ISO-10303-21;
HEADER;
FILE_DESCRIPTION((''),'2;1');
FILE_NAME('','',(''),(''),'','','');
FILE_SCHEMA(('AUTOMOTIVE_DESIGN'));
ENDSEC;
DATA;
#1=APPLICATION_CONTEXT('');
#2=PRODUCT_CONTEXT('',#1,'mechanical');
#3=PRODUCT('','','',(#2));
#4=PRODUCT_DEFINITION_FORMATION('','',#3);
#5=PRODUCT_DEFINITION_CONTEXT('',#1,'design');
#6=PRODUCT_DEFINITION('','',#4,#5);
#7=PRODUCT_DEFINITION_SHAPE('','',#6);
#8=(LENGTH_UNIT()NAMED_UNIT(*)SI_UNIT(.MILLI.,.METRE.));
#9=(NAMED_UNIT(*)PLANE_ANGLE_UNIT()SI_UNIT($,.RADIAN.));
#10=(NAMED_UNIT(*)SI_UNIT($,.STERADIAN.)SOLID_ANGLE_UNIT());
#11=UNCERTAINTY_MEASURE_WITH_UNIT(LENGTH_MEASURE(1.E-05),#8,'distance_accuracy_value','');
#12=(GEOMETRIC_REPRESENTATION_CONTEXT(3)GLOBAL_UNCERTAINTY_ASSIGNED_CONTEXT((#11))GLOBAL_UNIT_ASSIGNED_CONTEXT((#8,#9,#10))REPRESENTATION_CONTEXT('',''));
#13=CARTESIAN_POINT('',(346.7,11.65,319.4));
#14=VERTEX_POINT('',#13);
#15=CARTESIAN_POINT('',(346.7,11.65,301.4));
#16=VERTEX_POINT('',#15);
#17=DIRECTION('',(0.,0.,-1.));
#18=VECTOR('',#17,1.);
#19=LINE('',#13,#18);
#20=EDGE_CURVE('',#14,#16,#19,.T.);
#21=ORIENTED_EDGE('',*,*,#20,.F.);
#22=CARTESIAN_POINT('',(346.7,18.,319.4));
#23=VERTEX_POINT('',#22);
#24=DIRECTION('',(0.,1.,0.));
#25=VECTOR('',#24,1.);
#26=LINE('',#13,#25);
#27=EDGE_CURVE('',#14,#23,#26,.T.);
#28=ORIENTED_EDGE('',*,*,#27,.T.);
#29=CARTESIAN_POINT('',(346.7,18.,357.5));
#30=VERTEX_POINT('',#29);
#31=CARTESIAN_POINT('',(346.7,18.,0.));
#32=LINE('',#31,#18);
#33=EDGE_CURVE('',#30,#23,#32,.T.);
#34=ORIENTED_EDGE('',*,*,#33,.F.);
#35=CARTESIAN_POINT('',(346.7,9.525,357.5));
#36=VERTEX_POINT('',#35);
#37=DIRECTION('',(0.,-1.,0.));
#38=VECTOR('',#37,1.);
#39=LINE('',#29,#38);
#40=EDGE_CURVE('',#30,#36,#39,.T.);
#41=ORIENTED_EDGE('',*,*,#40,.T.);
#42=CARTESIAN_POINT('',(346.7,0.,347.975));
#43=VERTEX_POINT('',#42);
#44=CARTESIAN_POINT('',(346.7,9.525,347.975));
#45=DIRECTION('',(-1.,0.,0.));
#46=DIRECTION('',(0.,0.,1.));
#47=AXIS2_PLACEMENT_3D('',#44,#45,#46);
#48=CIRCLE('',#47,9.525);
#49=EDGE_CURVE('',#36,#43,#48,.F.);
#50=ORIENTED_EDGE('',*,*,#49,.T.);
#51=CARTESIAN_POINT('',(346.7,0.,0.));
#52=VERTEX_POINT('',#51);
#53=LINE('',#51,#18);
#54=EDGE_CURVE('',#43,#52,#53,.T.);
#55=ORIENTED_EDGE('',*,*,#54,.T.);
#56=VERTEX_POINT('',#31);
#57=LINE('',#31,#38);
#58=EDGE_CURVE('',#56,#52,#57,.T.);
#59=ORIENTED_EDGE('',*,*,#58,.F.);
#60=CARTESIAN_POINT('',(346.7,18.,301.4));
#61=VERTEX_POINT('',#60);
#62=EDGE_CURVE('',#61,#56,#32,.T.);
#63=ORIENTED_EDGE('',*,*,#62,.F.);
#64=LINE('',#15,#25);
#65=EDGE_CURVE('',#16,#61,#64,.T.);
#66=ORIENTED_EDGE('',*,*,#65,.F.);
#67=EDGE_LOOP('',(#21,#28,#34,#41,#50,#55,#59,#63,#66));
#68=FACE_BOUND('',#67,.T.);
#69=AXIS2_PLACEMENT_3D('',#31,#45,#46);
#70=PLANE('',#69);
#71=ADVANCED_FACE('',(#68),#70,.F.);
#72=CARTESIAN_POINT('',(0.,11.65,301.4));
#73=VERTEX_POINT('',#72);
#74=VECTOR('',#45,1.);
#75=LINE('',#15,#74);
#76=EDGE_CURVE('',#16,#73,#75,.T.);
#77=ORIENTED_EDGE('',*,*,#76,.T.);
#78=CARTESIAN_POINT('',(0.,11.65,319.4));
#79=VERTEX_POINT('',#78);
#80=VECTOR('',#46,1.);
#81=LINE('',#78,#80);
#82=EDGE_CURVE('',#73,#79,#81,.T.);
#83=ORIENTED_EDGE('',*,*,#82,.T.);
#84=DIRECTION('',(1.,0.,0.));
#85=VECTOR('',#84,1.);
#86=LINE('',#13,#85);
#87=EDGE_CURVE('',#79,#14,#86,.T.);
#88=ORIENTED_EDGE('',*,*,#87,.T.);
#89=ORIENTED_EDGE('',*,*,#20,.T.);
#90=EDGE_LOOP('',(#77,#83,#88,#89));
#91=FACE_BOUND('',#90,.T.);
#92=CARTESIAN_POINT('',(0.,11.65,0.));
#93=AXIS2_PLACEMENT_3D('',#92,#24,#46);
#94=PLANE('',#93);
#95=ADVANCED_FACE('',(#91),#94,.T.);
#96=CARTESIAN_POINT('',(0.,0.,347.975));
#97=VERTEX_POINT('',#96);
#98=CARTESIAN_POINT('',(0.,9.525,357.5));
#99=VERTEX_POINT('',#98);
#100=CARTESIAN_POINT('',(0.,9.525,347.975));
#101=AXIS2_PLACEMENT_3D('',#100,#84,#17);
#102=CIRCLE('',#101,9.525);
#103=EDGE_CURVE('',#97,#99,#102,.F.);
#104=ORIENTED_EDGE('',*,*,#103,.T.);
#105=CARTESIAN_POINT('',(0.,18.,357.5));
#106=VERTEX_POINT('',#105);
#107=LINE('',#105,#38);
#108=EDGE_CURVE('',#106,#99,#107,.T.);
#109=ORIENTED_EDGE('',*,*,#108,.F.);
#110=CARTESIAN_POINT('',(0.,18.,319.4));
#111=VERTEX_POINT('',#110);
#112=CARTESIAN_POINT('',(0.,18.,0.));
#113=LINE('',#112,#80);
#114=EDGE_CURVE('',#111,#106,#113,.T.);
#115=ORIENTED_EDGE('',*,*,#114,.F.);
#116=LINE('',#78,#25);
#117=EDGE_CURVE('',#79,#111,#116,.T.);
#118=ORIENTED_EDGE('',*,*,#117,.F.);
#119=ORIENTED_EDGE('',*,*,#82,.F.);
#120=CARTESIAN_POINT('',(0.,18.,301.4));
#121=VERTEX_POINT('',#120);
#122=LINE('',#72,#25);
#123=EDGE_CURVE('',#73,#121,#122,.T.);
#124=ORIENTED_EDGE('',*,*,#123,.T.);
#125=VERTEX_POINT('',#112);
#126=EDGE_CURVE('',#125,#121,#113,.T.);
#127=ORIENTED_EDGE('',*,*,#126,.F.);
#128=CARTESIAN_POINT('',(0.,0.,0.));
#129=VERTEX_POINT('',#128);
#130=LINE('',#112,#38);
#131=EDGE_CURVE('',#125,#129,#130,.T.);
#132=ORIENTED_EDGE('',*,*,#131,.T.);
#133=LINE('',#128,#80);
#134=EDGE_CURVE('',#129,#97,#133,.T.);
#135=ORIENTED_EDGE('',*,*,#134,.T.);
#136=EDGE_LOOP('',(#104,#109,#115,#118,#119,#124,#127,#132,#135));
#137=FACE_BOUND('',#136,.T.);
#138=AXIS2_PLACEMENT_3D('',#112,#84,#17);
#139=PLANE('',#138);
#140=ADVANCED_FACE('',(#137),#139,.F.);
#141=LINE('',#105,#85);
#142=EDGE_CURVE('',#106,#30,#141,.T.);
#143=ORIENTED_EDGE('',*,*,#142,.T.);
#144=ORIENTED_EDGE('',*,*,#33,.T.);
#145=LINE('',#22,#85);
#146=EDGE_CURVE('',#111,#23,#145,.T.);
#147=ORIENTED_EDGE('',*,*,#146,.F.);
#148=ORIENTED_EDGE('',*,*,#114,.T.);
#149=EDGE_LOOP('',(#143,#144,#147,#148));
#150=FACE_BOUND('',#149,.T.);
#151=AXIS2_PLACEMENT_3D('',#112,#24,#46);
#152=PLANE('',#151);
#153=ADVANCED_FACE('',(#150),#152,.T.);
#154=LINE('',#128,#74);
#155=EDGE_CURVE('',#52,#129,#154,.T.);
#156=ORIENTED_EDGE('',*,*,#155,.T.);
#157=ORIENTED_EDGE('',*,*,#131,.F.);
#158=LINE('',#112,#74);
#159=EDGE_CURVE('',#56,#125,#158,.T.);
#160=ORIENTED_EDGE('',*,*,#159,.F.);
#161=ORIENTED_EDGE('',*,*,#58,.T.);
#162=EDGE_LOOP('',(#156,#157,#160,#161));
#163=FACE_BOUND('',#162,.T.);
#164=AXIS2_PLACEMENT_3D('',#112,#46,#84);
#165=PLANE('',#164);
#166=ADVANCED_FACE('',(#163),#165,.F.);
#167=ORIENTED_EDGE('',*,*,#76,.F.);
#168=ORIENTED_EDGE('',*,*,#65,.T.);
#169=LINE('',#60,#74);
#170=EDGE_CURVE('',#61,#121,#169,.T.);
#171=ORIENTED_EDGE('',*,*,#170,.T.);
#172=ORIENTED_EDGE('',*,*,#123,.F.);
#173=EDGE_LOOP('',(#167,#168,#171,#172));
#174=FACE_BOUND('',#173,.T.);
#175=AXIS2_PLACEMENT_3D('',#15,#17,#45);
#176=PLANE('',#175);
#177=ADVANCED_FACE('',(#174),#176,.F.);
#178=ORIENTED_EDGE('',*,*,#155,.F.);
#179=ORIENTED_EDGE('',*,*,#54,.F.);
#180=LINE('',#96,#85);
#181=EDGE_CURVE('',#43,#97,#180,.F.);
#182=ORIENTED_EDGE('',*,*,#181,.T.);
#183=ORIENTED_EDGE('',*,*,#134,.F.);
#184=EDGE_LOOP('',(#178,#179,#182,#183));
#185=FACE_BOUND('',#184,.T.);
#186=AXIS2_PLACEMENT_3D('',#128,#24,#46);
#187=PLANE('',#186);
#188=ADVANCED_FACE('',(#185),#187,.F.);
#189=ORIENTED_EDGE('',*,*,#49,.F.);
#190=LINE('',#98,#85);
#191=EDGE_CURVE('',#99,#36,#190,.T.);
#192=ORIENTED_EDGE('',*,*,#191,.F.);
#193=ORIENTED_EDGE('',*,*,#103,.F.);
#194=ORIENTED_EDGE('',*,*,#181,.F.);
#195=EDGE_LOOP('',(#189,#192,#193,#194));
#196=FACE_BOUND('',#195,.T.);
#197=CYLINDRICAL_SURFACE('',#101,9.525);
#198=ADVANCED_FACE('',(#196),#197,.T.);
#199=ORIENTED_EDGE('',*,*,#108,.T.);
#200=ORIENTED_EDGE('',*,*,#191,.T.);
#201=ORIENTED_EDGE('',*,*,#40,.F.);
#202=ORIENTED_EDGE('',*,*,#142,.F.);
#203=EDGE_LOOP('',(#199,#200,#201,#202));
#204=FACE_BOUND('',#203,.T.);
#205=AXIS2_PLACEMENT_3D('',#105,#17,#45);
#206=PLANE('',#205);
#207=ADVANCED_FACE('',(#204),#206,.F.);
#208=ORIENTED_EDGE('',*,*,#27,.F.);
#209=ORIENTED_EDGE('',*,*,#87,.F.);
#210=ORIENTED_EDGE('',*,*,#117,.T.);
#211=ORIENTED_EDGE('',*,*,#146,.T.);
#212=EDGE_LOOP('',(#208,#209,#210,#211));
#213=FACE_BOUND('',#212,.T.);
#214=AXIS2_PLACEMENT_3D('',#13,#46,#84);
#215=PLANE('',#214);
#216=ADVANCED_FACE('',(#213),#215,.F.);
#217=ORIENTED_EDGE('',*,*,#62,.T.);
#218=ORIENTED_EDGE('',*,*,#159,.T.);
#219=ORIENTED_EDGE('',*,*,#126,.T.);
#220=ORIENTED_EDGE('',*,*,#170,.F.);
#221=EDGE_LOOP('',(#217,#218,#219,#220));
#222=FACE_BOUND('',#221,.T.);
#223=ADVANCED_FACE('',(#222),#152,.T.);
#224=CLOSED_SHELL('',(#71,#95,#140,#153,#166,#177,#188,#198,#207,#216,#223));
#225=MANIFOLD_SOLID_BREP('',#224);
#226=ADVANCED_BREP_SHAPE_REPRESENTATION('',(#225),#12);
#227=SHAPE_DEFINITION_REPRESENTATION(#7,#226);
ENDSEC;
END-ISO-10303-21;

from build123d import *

# Parameters (mm, degrees)
SKETCH1_W           = 346.7
SKETCH1_H           = 357.50000001
BOSS_EXTRUDE1_DEPTH = 18
SKETCH2_W           = 346.7
SKETCH2_H           = 18
CUT_EXTRUDE1_DEPTH  = 6.35
FILLET1_R           = 9.525


with BuildPart() as part:
    # Sketch1 → Boss-Extrude1 (new body)
    with BuildSketch(Plane(origin=(0, 0, 0), x_dir=(1, 0, 0), z_dir=(0, 1, 0))):
        with Locations((173.35, -178.750000005)):
            Rectangle(SKETCH1_W, SKETCH1_H)
    extrude(amount=BOSS_EXTRUDE1_DEPTH)

    # Sketch2 → Cut-Extrude1 (cut)
    with BuildSketch(Plane(origin=(0, 18, 0), x_dir=(1, 0, 0), z_dir=(0, 1, 0))):
        with Locations((173.35, -310.40000001)):
            Rectangle(SKETCH2_W, SKETCH2_H)
    extrude(amount=-CUT_EXTRUDE1_DEPTH, mode=Mode.SUBTRACT)

    # Fillet1
    fillet1_edges = [part.edges().sort_by_distance(p)[0] for p in [
        (173.35, 0, 357.50000001),
    ]]
    fillet(fillet1_edges, radius=FILLET1_R)


solid = part.part
